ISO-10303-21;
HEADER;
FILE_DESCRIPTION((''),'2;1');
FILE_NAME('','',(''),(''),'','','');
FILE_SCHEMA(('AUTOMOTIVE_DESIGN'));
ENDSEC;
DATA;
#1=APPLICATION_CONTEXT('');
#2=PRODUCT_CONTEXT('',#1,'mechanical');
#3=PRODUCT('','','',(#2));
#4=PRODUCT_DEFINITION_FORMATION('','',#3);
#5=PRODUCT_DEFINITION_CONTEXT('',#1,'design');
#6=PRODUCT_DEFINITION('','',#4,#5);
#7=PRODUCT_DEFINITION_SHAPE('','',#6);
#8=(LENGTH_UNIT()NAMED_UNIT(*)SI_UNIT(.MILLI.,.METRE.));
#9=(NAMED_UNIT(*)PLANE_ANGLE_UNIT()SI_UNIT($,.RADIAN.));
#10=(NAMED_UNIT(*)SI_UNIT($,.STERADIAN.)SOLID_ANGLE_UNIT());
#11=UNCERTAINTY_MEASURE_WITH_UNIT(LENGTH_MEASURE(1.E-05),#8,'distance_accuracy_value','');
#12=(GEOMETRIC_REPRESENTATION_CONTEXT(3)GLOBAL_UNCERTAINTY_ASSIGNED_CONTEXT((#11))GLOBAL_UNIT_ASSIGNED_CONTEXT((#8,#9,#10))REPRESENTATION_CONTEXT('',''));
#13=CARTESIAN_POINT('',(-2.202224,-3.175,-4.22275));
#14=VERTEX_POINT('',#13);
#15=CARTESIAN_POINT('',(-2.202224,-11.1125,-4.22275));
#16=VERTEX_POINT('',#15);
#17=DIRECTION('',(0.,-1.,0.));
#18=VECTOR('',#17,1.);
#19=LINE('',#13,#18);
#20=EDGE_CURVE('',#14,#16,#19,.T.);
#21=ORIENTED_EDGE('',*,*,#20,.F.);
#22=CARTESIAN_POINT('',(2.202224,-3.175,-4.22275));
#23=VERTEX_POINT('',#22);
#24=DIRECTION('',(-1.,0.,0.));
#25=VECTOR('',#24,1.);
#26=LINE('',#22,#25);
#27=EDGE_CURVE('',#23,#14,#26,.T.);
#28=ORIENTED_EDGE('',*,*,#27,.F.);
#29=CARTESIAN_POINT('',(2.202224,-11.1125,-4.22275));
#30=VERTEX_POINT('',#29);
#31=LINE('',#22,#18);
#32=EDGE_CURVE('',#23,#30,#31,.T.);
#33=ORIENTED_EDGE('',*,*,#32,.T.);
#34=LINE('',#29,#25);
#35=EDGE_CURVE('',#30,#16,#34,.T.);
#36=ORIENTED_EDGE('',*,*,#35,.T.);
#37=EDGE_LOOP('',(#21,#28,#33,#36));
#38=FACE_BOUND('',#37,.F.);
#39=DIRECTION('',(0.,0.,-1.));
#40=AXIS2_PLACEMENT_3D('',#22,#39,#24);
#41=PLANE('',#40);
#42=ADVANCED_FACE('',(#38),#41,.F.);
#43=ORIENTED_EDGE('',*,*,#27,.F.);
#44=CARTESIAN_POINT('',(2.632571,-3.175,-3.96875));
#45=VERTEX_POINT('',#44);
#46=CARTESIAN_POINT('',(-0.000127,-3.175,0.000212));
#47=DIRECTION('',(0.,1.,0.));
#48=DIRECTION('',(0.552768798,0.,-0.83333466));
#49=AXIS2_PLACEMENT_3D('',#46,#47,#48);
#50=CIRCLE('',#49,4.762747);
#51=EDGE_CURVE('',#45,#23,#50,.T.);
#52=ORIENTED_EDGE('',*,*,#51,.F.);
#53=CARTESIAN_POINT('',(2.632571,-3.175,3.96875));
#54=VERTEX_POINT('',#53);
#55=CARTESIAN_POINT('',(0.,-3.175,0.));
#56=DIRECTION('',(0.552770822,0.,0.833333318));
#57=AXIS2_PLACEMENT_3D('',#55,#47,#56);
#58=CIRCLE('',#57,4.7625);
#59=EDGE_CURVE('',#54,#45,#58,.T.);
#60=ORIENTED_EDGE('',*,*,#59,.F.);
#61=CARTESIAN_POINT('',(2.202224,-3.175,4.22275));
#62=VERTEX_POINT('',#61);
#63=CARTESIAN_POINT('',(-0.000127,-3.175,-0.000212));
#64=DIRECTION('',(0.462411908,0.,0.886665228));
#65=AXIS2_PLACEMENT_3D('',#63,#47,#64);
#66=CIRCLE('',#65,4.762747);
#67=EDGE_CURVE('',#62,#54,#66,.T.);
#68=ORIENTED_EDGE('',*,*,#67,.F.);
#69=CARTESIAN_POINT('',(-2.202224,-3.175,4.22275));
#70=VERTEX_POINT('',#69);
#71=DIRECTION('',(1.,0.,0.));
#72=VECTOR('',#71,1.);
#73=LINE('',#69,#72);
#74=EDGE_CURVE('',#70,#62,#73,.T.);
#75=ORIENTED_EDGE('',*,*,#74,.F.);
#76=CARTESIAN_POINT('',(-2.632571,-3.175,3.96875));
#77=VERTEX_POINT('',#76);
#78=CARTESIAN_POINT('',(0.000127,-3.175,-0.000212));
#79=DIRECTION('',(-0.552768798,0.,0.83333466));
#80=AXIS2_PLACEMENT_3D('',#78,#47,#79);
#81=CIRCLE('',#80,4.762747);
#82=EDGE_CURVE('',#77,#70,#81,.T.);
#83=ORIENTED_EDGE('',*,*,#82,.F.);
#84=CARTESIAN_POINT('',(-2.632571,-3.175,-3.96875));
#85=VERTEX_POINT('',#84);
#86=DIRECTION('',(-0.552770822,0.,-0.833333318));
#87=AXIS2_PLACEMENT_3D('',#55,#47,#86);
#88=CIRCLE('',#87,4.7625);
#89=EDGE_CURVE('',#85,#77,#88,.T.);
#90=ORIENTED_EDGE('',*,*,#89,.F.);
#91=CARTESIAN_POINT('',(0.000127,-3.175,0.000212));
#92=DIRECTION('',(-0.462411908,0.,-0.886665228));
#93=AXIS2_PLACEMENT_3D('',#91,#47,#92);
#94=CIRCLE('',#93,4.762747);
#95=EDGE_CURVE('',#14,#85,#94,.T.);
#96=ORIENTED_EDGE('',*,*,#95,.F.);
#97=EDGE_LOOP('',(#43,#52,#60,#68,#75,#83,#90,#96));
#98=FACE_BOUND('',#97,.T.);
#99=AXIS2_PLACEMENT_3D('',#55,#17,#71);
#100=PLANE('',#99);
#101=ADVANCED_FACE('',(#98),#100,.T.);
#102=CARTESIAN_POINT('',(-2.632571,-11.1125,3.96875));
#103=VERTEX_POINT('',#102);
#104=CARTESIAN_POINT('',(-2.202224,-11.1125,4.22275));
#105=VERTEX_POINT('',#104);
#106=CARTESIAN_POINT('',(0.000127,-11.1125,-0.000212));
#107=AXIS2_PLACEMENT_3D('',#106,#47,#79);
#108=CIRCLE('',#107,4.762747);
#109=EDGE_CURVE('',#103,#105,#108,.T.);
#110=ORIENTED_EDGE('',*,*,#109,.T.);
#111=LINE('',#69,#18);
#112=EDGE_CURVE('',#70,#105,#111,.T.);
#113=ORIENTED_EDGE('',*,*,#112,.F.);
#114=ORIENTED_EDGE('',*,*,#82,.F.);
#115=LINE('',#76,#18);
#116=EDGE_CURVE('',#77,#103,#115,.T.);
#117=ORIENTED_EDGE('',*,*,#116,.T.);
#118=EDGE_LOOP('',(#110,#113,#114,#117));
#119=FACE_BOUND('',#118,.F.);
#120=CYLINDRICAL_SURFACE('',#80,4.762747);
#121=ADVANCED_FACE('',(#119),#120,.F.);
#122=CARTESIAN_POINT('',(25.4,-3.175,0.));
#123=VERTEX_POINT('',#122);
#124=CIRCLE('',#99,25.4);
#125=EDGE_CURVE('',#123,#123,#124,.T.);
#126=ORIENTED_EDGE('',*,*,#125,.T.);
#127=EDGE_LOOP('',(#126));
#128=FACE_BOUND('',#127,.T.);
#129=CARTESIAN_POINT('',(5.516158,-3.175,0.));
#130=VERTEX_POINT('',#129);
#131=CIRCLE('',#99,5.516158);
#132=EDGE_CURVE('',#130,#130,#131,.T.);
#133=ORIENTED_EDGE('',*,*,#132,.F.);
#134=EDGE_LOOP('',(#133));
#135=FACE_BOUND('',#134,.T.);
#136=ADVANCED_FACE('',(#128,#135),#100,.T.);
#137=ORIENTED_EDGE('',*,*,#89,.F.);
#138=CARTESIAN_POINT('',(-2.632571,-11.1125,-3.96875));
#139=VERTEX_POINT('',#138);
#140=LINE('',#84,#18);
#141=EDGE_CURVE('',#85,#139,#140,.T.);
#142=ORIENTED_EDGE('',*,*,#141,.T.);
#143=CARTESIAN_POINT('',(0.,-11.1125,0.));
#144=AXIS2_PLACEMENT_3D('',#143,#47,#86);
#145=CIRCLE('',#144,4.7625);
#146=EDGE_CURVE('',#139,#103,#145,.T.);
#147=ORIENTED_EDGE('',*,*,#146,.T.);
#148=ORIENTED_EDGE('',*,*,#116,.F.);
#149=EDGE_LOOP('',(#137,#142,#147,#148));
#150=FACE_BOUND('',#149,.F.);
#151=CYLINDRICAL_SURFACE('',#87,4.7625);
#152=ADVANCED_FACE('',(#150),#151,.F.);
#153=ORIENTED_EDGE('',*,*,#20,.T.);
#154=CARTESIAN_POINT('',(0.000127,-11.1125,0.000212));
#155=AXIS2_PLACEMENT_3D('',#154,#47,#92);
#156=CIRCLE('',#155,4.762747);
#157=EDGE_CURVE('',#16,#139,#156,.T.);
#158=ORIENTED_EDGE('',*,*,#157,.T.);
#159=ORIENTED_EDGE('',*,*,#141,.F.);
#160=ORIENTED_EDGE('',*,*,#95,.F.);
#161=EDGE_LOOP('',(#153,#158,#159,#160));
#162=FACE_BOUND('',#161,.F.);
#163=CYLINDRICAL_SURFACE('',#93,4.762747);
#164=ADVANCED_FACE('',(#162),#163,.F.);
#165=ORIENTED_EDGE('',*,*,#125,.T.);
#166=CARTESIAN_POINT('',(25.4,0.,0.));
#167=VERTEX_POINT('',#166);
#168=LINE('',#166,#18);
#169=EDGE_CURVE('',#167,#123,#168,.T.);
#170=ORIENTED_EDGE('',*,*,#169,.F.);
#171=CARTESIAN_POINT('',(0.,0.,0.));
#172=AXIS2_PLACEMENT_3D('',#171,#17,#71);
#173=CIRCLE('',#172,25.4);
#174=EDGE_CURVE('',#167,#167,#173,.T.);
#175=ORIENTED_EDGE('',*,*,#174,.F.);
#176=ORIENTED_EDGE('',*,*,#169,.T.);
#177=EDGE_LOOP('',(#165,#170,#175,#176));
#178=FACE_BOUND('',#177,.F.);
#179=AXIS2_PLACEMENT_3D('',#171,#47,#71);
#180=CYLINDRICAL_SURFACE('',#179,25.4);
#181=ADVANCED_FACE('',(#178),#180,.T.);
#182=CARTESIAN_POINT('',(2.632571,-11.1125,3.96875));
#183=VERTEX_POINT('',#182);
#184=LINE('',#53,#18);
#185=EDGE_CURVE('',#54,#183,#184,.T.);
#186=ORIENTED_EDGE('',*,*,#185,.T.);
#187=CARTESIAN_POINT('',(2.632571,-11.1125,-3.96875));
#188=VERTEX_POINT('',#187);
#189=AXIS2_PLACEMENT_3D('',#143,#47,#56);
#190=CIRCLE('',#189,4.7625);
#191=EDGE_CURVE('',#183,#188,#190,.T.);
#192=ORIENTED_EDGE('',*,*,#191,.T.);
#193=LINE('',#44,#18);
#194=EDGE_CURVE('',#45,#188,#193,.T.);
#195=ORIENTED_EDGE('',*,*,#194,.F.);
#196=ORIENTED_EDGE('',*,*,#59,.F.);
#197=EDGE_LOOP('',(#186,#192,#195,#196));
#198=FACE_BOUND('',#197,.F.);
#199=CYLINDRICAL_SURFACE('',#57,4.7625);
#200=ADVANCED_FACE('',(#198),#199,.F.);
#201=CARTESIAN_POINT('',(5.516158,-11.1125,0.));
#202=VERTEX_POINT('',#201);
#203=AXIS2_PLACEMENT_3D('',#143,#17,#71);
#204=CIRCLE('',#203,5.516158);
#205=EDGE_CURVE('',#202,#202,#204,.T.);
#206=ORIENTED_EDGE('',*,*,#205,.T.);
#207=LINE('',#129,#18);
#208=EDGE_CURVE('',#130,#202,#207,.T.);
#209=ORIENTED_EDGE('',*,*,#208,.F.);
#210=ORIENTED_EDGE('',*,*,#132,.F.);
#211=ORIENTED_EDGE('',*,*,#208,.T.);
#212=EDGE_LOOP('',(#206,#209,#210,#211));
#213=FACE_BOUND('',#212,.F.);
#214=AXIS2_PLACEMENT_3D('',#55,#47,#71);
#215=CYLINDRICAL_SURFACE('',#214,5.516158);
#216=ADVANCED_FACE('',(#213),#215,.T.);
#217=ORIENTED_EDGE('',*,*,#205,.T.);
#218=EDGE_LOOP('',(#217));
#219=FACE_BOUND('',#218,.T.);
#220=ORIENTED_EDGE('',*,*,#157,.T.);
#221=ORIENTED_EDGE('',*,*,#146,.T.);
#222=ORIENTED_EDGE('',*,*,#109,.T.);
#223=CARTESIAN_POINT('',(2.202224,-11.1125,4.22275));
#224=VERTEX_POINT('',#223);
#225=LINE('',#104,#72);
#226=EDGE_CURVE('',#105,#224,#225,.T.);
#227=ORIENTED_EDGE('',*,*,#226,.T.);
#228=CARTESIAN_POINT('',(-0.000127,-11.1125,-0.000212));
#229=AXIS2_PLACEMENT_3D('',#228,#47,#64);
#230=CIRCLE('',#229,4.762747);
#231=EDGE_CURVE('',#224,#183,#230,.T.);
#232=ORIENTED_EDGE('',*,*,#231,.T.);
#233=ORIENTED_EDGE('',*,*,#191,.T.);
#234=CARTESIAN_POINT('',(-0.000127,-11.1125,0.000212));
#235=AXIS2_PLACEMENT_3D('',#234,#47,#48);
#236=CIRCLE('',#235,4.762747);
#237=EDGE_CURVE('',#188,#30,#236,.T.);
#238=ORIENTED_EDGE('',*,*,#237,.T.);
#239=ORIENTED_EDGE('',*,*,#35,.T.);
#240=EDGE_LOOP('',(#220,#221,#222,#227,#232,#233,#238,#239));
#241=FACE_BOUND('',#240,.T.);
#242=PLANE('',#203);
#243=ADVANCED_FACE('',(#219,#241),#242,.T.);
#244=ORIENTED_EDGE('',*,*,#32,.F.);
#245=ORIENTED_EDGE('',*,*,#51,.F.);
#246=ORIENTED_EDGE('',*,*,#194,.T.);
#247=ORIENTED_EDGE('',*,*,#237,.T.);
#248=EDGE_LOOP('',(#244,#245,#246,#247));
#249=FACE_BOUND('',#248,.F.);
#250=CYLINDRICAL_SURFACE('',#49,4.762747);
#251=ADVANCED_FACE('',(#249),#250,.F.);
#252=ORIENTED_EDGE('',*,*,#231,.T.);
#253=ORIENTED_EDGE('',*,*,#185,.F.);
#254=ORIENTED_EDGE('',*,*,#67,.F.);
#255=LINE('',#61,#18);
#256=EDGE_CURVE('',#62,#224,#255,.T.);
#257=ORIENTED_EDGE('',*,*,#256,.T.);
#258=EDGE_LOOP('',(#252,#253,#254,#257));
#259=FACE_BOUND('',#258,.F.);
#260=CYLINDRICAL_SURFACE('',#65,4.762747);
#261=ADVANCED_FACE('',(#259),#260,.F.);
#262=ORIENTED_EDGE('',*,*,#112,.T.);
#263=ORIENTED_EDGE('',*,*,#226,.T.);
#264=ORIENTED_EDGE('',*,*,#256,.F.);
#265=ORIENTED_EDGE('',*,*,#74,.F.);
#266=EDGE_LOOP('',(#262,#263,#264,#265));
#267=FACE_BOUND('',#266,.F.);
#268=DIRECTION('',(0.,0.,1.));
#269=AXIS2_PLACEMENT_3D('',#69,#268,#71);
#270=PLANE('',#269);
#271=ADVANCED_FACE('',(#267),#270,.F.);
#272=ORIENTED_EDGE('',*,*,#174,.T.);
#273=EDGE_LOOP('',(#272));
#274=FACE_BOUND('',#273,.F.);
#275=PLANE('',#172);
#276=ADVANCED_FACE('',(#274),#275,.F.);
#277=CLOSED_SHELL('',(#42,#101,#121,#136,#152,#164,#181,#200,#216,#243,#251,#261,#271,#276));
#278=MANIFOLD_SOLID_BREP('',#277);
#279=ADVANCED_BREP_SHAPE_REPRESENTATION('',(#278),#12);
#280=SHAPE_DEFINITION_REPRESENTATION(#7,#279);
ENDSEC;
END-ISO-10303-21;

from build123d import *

# Parameters (mm, degrees)
F0_R     = 25.4
F1_DEPTH = 3.175
F2_R     = 5.516158
F3_DEPTH = 7.9375


with BuildPart() as f1:
    # F0 (on Front) → F1 (new body)
    with BuildSketch(Plane.XZ):
        Circle(F0_R)
    extrude(amount=F1_DEPTH)

    # F2 (on face) → F3 (join)
    with BuildSketch(Plane.XZ.offset(3.175)):
        Circle(F2_R)
        with BuildLine():
            ThreePointArc((-2.632571, 3.96875), (-2.420731, 4.101398), (-2.202224, 4.22275))
            Line((-2.202224, 4.22275), (2.202224, 4.22275))
            ThreePointArc((2.202224, 4.22275), (2.420731, 4.101398), (2.632571, 3.96875))
            ThreePointArc((2.632571, 3.96875), (4.7625, 0), (2.632571, -3.96875))
            ThreePointArc((2.632571, -3.96875), (2.420731, -4.101398), (2.202224, -4.22275))
            Line((2.202224, -4.22275), (-2.202224, -4.22275))
            ThreePointArc((-2.202224, -4.22275), (-2.420731, -4.101398), (-2.632571, -3.96875))
            ThreePointArc((-2.632571, -3.96875), (-4.7625, 0), (-2.632571, 3.96875))
        make_face(mode=Mode.SUBTRACT)
    extrude(amount=F3_DEPTH)


solid = f1.part
